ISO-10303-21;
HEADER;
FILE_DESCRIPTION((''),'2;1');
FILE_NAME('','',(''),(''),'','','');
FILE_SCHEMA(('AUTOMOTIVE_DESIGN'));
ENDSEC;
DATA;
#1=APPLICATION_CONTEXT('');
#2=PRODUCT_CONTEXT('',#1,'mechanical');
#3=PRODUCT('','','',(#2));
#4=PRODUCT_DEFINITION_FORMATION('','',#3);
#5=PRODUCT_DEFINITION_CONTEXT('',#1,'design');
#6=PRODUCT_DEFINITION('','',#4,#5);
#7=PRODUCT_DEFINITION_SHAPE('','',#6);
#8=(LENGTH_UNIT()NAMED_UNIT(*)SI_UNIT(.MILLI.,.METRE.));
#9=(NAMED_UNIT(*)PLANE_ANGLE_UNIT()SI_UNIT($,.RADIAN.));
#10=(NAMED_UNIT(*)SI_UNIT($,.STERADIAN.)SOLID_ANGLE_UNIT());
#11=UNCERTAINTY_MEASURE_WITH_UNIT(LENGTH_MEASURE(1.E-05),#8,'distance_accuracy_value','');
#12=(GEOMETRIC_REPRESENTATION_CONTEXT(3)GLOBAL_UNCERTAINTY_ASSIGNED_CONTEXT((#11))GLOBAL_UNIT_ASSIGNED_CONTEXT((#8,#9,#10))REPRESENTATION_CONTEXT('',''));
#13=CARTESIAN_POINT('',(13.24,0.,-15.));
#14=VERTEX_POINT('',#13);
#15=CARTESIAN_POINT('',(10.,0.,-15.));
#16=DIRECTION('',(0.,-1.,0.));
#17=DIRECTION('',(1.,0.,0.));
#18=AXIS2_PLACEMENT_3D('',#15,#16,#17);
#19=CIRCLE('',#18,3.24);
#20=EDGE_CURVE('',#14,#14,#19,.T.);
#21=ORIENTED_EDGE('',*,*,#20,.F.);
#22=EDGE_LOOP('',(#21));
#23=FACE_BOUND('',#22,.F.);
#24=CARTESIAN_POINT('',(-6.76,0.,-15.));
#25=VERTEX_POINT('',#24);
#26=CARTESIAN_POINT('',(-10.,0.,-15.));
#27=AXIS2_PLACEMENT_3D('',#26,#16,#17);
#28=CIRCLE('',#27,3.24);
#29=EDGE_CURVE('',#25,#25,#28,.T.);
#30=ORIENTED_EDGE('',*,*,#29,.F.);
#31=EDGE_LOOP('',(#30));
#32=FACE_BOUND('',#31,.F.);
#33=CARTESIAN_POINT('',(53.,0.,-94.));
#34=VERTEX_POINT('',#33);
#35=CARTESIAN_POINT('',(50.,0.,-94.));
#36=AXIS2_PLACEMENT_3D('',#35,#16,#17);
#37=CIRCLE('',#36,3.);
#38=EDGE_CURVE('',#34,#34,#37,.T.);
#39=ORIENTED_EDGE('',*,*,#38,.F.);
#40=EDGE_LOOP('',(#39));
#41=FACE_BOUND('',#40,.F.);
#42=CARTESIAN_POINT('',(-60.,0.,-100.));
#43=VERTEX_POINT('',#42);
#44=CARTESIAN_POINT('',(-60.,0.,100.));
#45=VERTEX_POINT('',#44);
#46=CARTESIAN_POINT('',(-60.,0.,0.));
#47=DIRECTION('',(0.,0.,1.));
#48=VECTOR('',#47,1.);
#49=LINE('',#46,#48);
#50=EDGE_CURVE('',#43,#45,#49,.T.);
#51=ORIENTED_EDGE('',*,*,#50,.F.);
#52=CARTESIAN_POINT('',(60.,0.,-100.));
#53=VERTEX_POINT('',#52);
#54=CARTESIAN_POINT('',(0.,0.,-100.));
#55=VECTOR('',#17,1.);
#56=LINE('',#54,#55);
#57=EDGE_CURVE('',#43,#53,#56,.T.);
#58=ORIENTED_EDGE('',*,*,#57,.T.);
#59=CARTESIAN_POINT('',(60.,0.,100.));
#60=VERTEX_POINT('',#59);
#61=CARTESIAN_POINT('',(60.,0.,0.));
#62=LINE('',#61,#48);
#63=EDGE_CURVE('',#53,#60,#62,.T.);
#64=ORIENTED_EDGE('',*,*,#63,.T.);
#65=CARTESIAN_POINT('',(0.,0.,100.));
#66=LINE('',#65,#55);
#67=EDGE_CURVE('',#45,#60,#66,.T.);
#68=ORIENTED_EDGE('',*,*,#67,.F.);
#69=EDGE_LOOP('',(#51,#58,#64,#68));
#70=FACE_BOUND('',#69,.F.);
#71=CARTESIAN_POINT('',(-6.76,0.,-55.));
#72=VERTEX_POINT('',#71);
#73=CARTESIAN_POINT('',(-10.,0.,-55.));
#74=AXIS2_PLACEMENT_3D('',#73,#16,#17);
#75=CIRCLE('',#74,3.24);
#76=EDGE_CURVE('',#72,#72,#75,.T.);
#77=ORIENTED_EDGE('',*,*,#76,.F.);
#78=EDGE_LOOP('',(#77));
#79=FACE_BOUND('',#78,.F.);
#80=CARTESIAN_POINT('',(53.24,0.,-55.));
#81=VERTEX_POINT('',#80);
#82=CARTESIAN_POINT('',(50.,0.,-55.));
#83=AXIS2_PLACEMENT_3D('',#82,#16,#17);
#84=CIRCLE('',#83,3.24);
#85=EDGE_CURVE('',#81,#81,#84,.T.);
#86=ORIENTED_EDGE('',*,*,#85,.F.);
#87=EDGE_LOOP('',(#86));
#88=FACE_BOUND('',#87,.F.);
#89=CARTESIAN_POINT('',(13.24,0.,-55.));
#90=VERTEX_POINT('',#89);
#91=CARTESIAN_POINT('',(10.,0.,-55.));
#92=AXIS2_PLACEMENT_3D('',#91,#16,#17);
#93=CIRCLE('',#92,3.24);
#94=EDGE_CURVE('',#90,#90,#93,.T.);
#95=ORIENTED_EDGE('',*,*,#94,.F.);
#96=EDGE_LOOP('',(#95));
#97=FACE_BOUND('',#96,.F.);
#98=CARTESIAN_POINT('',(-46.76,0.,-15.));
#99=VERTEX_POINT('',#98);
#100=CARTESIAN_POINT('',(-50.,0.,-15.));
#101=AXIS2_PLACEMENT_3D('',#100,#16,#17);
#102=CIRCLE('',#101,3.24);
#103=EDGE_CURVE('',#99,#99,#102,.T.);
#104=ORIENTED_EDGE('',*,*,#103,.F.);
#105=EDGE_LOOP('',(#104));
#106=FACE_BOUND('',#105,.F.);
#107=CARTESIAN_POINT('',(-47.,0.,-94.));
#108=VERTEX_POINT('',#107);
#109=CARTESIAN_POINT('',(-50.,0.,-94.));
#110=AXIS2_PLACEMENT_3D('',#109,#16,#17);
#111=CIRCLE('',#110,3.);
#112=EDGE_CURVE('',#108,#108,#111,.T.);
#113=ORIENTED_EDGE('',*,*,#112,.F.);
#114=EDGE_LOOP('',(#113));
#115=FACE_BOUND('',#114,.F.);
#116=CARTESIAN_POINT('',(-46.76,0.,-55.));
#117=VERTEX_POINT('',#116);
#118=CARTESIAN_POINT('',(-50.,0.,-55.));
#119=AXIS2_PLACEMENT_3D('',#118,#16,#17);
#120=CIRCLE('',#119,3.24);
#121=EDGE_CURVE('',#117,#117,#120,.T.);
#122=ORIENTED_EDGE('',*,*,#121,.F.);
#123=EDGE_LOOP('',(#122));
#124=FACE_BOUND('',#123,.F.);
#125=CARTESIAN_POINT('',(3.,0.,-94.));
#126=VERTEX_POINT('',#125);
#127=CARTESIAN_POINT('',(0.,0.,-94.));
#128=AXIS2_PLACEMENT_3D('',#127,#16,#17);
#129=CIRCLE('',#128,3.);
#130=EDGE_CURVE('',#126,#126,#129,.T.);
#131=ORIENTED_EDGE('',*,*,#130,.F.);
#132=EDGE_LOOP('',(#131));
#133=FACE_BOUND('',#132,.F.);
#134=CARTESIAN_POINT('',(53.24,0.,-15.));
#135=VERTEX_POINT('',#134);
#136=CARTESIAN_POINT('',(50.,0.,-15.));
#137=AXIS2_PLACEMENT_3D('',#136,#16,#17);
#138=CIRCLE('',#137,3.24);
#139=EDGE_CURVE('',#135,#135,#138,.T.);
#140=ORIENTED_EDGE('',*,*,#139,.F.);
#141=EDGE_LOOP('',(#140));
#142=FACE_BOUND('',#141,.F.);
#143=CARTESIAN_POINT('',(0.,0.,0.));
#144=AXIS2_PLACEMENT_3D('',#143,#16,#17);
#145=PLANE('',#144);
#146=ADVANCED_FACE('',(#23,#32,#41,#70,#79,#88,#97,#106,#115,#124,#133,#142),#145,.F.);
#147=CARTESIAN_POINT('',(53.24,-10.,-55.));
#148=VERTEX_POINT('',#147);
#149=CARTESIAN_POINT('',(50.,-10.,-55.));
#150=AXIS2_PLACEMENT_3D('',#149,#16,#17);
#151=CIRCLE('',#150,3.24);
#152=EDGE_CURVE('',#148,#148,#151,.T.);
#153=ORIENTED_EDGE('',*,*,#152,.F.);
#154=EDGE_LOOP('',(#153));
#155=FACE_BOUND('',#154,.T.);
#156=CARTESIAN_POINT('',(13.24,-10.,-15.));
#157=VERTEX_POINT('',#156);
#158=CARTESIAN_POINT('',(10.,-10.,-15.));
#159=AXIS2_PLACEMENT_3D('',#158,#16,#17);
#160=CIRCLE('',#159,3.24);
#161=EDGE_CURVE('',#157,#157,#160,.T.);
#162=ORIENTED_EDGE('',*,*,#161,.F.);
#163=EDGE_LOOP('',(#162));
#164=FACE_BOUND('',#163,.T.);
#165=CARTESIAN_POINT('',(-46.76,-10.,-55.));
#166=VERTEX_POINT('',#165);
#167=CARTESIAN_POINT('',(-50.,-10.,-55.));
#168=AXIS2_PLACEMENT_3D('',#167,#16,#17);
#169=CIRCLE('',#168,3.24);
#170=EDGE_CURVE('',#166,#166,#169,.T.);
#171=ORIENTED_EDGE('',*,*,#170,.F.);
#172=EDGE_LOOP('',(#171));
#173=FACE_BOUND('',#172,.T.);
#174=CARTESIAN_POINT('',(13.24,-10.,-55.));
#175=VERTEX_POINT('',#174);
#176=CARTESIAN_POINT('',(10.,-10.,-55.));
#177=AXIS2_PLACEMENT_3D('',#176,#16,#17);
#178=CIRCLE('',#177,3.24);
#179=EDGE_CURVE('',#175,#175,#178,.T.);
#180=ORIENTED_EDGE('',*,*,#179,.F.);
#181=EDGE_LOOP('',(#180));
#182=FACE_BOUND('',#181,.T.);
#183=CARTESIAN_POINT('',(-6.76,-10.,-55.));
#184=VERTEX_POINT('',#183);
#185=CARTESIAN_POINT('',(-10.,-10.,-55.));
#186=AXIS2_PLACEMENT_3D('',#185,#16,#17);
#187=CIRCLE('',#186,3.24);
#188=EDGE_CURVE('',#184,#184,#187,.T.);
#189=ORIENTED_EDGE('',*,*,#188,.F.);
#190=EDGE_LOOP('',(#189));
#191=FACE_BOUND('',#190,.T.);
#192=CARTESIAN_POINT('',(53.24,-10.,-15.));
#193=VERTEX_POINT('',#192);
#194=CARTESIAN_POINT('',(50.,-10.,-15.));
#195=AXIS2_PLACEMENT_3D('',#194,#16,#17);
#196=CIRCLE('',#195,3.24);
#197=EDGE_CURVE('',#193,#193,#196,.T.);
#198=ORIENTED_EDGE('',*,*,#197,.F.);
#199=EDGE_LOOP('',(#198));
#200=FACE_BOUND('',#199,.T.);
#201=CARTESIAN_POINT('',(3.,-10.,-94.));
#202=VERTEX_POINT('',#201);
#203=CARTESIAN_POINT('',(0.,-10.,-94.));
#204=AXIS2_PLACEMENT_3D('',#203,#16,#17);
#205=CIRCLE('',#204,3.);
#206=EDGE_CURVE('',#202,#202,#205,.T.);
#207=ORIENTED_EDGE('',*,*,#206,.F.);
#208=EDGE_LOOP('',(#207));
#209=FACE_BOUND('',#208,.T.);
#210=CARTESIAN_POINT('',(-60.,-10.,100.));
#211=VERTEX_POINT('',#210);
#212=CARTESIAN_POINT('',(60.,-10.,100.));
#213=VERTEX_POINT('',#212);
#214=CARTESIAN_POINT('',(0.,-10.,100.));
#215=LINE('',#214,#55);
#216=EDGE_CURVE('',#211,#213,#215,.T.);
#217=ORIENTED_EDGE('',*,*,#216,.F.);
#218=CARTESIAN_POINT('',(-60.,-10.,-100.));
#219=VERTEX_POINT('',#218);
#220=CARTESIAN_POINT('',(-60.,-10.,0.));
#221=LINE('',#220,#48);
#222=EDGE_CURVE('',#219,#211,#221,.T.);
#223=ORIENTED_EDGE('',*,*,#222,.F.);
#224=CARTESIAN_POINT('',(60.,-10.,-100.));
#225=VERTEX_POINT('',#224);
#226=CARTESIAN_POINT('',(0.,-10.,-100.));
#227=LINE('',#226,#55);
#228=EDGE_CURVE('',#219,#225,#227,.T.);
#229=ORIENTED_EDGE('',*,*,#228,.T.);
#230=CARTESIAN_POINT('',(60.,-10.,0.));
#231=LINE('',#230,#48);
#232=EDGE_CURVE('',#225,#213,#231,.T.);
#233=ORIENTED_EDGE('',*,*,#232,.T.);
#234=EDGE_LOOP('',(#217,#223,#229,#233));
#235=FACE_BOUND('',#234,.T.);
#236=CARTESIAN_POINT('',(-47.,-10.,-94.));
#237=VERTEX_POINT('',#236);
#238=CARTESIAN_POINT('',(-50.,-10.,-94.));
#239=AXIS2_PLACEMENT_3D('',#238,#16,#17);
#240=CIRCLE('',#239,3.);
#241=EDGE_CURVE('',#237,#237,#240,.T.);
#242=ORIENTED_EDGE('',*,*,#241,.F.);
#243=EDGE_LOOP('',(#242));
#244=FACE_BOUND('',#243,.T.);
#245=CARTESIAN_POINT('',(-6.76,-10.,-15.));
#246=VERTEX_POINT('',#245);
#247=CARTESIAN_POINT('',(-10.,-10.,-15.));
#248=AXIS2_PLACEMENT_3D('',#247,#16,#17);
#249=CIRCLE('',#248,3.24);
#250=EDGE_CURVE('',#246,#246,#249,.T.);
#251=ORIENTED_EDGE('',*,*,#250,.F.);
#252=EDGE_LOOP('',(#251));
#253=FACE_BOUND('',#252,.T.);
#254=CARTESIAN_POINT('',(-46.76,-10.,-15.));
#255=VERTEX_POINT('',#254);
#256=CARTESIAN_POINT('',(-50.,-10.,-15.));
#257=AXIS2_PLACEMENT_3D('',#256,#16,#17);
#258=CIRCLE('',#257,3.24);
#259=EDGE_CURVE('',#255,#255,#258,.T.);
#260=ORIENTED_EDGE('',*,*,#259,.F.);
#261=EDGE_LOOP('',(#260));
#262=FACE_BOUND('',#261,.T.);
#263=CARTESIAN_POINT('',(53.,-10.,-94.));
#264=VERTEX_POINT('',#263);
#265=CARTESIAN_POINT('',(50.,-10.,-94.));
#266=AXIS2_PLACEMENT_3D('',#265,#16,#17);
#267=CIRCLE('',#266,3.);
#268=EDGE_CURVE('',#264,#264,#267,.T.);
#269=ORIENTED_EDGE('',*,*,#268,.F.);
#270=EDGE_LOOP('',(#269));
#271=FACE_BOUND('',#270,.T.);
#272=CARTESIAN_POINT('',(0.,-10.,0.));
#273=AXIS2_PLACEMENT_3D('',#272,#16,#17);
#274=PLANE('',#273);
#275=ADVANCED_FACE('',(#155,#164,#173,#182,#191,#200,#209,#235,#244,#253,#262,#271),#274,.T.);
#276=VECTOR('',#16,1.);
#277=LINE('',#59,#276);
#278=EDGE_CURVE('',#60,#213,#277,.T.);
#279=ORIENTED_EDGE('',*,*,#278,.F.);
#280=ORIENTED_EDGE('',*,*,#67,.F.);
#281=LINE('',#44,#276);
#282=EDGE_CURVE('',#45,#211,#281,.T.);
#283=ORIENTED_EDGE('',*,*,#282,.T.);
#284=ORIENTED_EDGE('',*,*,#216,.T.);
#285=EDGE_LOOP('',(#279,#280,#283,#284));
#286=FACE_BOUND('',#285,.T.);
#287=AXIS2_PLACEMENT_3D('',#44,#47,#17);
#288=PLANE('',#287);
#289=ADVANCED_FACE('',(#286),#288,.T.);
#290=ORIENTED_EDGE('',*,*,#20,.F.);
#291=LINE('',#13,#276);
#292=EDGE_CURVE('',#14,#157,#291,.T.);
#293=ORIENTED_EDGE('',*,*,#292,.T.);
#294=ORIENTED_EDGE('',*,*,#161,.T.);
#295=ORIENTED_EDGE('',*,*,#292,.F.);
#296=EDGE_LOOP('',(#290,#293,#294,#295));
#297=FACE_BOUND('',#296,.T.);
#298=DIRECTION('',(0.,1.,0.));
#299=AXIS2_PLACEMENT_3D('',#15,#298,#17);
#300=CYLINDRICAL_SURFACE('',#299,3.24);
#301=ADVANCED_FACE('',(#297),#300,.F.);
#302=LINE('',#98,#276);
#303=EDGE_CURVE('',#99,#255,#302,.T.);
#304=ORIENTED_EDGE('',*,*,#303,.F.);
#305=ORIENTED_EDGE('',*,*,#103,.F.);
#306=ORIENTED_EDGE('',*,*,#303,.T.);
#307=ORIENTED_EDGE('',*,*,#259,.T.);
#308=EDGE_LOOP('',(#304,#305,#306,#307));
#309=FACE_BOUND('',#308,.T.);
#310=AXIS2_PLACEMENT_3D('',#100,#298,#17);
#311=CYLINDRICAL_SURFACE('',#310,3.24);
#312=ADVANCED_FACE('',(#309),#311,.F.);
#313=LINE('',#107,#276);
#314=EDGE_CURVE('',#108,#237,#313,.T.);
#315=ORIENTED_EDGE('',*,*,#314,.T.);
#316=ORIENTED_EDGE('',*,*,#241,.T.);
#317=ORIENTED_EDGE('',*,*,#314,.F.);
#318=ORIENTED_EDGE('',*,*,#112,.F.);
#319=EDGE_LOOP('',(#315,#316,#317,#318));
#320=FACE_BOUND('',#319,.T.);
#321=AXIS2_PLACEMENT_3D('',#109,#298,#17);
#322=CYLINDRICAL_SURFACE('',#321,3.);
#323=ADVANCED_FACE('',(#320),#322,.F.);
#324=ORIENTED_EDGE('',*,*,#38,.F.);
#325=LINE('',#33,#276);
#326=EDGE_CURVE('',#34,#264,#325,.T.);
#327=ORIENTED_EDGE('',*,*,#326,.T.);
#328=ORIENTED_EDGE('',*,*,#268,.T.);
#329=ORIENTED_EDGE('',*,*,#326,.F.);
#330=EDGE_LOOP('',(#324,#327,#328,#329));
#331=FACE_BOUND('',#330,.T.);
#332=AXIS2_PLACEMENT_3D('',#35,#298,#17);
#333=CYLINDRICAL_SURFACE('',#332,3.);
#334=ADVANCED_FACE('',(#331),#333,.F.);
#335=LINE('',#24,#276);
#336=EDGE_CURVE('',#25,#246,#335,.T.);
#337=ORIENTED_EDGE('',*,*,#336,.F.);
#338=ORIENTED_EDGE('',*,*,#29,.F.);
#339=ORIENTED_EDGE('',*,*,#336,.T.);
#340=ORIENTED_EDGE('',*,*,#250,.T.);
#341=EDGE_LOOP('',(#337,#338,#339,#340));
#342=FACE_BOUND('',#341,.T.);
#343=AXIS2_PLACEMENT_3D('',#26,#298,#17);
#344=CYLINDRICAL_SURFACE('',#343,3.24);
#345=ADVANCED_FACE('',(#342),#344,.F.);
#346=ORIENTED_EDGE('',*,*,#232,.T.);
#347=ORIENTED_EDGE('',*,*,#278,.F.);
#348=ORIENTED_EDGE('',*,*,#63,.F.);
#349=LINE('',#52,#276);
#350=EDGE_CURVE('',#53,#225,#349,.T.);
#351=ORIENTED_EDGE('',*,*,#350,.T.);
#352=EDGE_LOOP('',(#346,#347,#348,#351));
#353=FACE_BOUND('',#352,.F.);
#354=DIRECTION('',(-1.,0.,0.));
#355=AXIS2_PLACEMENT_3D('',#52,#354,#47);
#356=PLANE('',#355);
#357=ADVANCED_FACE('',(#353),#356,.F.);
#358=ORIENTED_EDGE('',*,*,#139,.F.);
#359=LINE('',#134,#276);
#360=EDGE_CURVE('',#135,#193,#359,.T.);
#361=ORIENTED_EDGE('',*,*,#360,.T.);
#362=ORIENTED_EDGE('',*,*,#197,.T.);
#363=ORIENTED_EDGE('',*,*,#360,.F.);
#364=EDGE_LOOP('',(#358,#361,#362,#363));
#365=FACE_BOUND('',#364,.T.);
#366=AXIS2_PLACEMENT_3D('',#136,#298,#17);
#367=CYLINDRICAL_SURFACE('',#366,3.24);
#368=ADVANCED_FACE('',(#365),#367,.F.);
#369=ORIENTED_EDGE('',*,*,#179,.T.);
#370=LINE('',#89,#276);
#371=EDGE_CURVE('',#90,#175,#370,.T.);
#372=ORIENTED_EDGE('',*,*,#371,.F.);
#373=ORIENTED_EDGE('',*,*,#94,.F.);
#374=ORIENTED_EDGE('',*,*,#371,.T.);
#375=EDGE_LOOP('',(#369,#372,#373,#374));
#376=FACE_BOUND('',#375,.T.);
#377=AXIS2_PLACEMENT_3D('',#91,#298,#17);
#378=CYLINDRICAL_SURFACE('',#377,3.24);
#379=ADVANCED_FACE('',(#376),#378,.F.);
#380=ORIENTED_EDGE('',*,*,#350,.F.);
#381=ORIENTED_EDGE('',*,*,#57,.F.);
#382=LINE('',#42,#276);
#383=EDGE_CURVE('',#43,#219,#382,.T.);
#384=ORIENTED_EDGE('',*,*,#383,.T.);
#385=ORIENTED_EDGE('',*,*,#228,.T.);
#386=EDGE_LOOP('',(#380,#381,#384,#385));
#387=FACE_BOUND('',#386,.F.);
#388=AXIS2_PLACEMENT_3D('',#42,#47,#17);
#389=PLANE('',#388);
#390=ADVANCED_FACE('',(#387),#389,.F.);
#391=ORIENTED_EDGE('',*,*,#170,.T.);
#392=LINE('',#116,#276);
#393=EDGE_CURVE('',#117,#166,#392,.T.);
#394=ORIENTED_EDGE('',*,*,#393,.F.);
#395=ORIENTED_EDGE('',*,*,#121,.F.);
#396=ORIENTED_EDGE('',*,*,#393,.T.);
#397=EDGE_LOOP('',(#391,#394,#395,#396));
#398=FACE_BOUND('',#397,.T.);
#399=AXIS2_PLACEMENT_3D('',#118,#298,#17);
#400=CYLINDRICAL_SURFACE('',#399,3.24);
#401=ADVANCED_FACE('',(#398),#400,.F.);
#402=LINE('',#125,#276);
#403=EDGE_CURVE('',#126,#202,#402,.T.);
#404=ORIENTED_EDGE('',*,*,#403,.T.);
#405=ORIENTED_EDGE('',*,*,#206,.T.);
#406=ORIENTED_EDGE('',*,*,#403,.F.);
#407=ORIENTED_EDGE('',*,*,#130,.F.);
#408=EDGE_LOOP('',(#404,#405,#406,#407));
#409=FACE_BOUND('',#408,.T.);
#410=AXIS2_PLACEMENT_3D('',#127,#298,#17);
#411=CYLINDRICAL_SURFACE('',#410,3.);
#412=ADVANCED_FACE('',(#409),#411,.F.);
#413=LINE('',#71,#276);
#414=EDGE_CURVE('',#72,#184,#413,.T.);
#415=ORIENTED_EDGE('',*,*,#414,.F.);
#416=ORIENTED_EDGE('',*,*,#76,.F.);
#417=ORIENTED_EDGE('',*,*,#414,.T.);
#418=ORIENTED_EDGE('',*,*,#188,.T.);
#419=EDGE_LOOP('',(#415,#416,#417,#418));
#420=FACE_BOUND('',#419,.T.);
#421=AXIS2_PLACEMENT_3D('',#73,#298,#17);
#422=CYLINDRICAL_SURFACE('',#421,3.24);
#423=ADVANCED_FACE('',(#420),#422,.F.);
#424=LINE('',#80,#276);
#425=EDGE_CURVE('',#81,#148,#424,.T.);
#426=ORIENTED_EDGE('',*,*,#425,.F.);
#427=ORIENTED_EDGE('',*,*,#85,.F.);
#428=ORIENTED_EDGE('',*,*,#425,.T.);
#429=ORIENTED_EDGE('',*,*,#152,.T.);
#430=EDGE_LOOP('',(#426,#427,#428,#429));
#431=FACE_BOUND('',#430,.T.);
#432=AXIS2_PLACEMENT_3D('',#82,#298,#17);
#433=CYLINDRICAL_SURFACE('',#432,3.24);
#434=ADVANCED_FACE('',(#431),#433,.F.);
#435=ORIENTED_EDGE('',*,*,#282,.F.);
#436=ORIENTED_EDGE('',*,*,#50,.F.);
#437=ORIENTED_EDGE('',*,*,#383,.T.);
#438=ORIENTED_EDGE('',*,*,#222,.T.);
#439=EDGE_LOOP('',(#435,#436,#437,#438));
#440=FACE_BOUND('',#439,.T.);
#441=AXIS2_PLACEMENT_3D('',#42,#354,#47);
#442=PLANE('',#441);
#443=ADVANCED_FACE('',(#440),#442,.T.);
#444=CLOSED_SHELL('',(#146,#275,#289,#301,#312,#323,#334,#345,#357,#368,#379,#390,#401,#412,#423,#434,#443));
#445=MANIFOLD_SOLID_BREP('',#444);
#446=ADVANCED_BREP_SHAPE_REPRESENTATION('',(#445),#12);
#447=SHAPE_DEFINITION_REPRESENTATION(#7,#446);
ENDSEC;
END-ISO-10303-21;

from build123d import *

# Parameters (mm, degrees)
F0_W     = 120
F0_H     = 200
F0_R     = 3
F0_R_2   = 3.24
F1_DEPTH = 10


with BuildPart() as f1:
    # F0 (on Front) → F1 (new body)
    with BuildSketch(Plane.XZ):
        Rectangle(F0_W, F0_H)
        with Locations((-50, -94)):
            Circle(F0_R, mode=Mode.SUBTRACT)
        with Locations((-50, -55)):
            Circle(F0_R_2, mode=Mode.SUBTRACT)
        with Locations((-10, -55)):
            Circle(F0_R_2, mode=Mode.SUBTRACT)
        with Locations((-50, -15)):
            Circle(F0_R_2, mode=Mode.SUBTRACT)
        with Locations((-10, -15)):
            Circle(F0_R_2, mode=Mode.SUBTRACT)
        with Locations((0, -94)):
            Circle(F0_R, mode=Mode.SUBTRACT)
        with Locations((10, -55)):
            Circle(F0_R_2, mode=Mode.SUBTRACT)
        with Locations((50, -94)):
            Circle(F0_R, mode=Mode.SUBTRACT)
        with Locations((50, -55)):
            Circle(F0_R_2, mode=Mode.SUBTRACT)
        with Locations((10, -15)):
            Circle(F0_R_2, mode=Mode.SUBTRACT)
        with Locations((50, -15)):
            Circle(F0_R_2, mode=Mode.SUBTRACT)
    extrude(amount=F1_DEPTH)


solid = f1.part
